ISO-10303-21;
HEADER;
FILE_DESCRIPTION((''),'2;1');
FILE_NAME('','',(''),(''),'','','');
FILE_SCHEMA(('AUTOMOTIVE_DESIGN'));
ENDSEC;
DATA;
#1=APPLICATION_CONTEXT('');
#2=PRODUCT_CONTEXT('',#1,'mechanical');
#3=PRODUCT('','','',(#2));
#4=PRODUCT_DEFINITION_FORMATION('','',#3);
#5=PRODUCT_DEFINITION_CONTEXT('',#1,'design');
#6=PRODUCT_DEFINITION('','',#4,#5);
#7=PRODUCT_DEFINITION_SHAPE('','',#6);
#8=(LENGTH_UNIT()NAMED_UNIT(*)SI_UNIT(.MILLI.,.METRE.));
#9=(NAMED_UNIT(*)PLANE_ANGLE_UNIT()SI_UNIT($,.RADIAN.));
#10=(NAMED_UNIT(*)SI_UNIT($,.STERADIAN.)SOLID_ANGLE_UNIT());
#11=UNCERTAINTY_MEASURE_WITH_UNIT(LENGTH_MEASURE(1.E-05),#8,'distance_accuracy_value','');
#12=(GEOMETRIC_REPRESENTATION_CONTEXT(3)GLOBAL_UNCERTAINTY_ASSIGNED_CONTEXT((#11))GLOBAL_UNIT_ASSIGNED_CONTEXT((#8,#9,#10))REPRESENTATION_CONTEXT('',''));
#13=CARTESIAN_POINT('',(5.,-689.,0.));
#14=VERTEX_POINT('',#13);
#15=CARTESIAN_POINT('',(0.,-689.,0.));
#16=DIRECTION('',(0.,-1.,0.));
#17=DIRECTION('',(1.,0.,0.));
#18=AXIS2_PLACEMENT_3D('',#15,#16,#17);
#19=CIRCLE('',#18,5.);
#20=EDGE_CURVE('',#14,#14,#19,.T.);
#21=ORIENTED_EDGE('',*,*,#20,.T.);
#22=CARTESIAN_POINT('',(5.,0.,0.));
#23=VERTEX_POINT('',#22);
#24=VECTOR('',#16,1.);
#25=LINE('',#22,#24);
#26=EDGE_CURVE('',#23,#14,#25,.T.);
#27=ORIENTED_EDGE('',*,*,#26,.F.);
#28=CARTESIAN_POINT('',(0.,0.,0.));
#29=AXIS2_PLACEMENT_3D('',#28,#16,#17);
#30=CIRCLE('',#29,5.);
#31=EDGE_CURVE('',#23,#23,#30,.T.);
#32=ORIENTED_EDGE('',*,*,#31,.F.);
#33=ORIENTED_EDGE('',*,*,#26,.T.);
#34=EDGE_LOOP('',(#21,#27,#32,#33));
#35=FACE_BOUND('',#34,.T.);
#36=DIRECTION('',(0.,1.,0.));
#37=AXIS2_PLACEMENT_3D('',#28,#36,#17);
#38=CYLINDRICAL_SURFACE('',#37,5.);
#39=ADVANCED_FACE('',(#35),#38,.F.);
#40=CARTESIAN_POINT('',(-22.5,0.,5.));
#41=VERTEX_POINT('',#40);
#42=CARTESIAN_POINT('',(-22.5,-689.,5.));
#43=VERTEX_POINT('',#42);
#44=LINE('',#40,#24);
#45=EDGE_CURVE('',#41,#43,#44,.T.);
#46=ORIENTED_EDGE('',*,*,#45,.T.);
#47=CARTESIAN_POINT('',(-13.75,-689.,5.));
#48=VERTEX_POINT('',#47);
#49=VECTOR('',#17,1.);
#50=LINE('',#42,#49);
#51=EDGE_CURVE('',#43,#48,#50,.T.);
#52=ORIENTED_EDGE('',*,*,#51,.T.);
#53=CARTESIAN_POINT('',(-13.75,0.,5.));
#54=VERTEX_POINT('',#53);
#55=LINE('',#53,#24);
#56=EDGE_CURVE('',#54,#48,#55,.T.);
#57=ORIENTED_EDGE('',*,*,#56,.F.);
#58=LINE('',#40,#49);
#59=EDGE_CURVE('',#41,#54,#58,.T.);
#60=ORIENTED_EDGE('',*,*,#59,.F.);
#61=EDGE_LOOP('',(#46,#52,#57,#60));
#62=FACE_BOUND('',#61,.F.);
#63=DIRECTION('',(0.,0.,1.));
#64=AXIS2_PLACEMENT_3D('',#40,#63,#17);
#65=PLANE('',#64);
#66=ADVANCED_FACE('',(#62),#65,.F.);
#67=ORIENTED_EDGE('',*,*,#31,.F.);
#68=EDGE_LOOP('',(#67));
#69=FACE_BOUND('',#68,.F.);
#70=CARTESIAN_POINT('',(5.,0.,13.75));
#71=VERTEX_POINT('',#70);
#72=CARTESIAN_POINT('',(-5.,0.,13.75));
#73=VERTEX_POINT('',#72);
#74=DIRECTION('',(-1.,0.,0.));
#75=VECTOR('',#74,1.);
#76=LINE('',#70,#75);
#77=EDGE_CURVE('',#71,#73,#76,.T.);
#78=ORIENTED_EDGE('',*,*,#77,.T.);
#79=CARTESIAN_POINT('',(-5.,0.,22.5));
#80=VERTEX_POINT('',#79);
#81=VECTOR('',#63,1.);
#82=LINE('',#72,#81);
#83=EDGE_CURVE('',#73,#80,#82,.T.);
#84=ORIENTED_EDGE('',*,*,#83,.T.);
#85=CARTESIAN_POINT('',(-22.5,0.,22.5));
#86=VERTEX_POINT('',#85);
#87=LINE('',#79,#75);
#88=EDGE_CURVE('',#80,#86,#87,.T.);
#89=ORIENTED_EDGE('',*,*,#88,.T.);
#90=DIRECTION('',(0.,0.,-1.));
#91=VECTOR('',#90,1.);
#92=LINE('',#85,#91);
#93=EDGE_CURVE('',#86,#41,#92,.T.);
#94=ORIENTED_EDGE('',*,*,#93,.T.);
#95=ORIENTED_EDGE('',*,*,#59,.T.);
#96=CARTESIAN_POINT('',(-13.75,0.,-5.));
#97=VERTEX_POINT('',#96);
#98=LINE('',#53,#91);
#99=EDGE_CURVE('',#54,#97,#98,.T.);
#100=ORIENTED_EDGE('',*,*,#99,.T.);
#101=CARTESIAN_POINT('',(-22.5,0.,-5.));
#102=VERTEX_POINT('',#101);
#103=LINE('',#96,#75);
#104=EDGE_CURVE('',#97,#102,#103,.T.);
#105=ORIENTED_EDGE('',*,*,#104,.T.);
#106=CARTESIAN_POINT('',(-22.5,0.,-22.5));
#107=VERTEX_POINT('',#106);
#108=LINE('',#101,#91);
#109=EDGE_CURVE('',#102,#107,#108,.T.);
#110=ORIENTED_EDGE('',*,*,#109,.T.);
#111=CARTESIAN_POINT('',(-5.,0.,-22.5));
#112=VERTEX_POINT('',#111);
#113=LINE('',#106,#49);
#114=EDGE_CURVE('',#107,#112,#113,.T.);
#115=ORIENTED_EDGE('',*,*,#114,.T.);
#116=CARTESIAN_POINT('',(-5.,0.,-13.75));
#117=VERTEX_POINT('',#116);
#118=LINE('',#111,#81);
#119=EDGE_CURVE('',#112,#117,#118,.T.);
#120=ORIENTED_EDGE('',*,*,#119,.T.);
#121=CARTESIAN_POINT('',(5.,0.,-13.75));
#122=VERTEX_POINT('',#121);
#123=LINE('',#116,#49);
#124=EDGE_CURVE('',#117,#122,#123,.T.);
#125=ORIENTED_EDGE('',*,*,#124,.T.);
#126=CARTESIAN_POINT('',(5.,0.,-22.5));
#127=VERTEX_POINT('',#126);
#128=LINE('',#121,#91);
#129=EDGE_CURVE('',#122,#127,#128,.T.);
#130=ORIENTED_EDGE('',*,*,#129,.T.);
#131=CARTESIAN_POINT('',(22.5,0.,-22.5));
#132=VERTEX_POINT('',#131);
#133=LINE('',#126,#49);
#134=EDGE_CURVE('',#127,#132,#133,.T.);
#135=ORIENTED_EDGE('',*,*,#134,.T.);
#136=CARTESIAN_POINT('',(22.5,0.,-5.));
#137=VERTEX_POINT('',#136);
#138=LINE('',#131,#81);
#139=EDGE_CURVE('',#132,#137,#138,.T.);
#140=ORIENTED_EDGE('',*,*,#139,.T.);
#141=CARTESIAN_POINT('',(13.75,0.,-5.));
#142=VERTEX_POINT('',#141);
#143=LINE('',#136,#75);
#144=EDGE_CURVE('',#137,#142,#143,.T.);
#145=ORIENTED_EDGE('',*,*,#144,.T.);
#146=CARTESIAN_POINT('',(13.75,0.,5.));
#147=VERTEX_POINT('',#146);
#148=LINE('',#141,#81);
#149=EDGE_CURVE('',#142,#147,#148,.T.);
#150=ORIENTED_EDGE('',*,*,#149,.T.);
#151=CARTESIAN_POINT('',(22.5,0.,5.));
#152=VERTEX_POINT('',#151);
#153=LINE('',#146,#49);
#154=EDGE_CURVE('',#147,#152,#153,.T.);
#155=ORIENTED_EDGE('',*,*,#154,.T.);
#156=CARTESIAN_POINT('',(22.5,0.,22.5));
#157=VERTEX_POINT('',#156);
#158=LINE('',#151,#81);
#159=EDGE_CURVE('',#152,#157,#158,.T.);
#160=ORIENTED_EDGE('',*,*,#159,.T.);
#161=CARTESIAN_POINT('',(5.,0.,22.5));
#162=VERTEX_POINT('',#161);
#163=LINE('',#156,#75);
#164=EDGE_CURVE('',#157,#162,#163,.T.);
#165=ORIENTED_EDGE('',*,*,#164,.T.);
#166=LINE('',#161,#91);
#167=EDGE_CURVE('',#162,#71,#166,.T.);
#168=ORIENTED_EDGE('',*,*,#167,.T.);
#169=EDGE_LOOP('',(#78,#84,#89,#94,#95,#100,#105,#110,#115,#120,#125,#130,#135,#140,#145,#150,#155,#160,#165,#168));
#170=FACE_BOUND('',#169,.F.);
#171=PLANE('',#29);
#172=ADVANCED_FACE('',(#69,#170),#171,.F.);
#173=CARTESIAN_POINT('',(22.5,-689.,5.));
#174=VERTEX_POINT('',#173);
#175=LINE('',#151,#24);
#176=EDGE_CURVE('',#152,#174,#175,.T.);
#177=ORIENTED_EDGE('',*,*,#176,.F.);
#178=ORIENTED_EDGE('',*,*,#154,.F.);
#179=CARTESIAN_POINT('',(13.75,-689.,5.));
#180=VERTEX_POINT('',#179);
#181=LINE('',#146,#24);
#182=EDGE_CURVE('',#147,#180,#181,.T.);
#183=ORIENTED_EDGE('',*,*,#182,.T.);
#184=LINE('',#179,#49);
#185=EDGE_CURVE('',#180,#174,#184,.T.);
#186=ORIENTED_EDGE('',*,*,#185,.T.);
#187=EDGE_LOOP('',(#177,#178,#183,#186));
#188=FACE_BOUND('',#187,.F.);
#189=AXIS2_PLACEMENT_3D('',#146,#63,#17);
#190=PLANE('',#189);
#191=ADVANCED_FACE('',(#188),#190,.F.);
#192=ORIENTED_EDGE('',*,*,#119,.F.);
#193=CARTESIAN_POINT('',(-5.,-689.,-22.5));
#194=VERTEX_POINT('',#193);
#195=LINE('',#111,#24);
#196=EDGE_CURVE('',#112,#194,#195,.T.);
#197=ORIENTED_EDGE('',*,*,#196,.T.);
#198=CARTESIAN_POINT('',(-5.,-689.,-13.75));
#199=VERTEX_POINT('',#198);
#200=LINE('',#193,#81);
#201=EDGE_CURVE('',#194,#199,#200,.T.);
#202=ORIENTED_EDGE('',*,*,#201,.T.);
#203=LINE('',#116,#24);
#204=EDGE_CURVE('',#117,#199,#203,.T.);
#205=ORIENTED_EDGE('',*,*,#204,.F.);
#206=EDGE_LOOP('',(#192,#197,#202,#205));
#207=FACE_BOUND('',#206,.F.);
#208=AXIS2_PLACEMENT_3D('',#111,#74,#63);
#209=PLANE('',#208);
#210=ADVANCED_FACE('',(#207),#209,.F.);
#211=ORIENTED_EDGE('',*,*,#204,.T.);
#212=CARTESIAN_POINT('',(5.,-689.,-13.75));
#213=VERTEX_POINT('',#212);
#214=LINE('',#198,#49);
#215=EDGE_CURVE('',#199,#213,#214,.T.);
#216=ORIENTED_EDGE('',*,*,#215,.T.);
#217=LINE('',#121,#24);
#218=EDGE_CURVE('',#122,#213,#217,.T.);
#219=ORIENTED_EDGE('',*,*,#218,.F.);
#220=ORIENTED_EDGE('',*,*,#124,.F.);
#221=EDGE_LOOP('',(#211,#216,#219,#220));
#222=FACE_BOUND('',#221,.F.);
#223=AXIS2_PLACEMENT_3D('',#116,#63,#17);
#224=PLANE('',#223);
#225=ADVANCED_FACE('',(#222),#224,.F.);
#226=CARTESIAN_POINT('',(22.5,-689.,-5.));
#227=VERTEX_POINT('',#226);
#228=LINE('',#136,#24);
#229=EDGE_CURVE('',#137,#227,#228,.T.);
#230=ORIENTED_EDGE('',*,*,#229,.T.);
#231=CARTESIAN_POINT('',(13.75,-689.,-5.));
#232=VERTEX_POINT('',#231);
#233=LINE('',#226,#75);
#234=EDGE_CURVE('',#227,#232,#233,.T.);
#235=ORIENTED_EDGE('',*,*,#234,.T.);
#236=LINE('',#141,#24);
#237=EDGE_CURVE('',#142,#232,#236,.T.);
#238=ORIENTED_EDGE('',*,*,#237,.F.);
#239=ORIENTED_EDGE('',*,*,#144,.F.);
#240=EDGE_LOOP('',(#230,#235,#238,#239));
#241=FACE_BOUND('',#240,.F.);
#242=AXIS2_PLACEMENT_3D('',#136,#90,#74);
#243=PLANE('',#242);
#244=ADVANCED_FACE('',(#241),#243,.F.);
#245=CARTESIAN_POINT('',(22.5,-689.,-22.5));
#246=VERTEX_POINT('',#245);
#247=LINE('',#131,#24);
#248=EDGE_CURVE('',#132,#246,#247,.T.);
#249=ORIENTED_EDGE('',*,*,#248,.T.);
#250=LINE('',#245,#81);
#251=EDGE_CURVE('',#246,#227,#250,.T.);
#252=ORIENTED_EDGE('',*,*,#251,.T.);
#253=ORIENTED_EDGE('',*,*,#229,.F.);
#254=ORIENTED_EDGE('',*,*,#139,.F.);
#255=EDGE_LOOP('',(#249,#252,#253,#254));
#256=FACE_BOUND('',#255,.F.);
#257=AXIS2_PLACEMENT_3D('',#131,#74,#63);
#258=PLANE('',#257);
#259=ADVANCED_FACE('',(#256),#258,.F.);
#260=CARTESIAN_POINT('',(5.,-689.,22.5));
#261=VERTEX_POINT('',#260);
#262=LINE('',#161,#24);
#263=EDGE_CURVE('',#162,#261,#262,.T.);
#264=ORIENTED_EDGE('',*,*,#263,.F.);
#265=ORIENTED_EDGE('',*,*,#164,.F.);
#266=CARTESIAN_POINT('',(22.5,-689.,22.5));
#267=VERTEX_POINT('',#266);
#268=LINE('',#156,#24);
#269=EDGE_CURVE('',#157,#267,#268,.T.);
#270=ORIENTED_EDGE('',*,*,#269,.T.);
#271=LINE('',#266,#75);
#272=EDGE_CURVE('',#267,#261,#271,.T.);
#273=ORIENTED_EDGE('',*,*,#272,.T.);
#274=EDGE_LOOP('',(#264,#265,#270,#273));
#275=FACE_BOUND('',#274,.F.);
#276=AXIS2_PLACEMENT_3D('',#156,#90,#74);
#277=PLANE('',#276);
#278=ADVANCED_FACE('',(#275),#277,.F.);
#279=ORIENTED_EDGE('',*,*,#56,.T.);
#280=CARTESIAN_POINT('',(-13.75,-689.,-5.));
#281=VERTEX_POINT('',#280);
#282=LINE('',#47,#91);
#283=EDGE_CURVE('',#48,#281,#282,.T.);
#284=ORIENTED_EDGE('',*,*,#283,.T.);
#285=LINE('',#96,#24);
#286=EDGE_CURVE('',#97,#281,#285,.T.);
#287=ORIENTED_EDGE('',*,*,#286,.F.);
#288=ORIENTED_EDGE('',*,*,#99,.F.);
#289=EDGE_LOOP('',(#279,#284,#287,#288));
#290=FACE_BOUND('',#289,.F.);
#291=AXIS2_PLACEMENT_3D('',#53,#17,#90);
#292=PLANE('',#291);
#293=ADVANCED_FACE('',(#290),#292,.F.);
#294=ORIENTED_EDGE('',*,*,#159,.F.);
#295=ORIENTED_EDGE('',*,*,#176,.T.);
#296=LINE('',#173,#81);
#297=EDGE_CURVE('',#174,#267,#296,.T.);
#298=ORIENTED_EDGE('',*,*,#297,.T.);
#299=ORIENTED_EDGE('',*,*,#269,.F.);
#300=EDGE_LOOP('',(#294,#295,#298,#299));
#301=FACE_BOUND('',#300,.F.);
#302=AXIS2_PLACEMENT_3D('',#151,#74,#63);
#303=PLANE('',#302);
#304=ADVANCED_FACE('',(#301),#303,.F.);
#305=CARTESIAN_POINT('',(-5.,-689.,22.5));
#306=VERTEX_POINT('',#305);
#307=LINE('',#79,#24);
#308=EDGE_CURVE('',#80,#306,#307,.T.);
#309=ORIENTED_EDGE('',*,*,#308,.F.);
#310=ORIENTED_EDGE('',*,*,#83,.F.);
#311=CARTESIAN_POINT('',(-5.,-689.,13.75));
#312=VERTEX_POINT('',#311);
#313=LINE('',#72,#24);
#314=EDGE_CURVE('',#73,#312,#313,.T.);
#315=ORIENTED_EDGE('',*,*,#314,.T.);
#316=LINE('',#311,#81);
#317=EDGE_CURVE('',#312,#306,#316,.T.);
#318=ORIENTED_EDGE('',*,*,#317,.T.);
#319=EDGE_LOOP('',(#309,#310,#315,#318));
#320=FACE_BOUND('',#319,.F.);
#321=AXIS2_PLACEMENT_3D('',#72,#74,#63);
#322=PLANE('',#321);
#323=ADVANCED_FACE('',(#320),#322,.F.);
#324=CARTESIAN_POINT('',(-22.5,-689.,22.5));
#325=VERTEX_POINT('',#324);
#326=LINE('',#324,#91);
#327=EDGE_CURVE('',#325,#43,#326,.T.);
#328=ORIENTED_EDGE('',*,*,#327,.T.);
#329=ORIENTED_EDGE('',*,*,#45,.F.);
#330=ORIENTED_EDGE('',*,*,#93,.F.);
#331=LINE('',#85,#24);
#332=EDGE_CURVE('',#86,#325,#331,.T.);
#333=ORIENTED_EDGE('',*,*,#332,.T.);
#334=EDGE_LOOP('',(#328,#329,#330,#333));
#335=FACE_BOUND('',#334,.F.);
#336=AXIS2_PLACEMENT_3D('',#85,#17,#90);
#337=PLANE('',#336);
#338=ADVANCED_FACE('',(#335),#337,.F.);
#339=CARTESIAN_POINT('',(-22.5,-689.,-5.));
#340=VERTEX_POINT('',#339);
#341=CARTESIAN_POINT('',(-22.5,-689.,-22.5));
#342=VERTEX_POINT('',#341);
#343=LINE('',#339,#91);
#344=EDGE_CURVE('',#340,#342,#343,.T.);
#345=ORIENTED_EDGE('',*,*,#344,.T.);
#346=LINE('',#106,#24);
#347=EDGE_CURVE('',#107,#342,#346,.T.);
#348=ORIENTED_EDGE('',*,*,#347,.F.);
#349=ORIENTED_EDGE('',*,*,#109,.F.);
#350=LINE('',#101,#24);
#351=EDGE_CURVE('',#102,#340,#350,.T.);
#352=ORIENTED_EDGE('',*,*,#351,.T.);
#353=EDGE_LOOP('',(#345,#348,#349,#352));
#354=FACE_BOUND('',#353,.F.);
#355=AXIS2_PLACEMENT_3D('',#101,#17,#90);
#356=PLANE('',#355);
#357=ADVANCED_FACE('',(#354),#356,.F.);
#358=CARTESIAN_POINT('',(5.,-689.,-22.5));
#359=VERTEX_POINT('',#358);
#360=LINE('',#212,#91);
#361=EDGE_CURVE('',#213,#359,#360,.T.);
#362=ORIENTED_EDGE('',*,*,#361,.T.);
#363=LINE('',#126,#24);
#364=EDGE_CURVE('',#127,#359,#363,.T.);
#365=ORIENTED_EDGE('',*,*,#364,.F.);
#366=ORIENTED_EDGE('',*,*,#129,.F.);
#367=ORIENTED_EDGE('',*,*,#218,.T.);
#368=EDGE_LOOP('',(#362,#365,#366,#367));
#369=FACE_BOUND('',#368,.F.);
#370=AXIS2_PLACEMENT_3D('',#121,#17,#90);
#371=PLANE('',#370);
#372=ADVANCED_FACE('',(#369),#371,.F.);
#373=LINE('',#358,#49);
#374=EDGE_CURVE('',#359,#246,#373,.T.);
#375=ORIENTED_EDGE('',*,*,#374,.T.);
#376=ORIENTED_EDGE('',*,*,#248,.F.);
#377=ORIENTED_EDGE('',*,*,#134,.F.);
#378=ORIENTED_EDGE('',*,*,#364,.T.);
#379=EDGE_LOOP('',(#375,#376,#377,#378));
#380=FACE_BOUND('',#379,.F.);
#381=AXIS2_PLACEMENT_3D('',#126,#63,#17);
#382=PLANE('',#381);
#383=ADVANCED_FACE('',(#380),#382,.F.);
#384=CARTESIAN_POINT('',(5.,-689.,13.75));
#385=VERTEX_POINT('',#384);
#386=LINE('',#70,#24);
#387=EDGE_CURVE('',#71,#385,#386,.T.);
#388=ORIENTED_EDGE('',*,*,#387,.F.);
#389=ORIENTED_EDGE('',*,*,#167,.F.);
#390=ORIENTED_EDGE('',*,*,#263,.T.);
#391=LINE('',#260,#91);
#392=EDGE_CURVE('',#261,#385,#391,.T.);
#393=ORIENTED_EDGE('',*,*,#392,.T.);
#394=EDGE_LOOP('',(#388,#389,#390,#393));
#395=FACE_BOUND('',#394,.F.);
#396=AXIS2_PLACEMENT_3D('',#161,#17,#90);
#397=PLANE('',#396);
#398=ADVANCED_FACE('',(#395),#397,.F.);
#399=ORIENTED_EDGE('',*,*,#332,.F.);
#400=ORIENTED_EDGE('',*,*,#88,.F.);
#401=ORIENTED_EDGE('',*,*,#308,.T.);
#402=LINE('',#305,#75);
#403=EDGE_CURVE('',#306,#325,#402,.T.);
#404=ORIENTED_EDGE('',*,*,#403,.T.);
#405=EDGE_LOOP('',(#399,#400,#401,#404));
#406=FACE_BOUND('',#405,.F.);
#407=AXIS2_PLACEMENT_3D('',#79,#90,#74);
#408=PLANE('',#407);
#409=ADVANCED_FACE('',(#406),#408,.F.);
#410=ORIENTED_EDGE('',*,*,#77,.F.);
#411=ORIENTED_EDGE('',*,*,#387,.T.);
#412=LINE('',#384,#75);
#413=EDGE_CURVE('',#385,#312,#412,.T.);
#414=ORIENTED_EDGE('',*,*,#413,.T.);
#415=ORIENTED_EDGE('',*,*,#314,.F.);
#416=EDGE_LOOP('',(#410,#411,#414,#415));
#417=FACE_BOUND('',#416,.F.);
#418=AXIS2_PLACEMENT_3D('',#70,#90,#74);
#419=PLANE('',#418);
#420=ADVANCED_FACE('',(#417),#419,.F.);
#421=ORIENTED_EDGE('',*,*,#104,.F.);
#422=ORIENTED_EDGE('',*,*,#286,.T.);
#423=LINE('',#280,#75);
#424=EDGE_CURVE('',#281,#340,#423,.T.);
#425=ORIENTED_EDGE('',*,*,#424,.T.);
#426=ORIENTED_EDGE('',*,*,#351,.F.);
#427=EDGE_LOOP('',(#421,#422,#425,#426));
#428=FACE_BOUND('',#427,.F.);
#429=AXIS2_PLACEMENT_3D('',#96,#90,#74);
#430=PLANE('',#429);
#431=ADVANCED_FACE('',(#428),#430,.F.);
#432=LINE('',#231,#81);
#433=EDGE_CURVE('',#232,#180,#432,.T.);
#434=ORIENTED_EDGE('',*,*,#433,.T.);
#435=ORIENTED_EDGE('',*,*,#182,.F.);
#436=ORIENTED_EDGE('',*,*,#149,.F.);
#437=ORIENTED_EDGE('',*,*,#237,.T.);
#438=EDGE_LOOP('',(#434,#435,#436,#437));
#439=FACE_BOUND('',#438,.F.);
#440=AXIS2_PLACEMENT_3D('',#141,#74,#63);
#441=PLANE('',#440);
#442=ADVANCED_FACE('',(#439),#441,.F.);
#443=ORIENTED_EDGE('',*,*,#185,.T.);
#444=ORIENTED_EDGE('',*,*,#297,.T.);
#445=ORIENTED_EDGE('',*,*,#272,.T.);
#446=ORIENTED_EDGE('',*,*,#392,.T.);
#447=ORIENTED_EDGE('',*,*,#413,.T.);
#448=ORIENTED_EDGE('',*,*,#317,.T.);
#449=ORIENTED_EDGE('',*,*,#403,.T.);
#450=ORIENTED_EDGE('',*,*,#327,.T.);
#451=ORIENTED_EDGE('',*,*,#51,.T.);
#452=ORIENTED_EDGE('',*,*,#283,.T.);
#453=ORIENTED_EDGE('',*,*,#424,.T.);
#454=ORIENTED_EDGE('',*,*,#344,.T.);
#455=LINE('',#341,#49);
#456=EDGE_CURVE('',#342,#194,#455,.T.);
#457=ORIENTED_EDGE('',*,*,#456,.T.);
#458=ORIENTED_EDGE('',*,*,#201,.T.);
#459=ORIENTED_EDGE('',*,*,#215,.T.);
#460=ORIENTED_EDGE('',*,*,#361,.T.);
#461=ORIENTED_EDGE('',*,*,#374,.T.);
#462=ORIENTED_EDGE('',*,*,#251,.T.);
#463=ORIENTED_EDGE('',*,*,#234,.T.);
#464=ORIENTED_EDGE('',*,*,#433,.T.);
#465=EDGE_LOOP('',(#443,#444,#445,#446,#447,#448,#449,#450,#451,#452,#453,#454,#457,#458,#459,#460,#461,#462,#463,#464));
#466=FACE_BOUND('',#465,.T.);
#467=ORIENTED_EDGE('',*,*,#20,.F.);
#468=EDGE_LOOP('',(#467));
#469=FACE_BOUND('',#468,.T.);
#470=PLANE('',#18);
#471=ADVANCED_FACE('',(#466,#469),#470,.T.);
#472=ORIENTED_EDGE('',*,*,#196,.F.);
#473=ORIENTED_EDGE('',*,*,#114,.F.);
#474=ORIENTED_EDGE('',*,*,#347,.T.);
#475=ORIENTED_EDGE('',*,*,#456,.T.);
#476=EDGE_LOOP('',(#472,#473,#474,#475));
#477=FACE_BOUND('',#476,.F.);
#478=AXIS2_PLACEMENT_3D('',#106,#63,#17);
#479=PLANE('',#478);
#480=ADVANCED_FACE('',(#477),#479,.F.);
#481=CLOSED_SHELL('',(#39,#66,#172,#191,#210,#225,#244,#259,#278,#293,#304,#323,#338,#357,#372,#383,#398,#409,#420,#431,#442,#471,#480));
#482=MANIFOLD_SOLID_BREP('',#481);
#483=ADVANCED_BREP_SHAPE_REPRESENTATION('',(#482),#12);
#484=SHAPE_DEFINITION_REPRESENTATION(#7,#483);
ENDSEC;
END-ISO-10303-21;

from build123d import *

# Parameters (mm, degrees)
F0_R     = 5
F1_DEPTH = 689


with BuildPart() as f1:
    # F0 (on Front) → F1 (new body)
    with BuildSketch(Plane.XZ):
        Polygon((5, -22.5), (22.5, -22.5), (22.5, -5), (13.75, -5), (13.75, 5), (22.5, 5), (22.5, 22.5), (5, 22.5), (5, 13.75), (-5, 13.75), (-5, 22.5), (-22.5, 22.5), (-22.5, 5), (-13.75, 5), (-13.75, -5), (-22.5, -5), (-22.5, -22.5), (-5, -22.5), (-5, -13.75), (5, -13.75), align=None)
        Circle(F0_R, mode=Mode.SUBTRACT)
    extrude(amount=F1_DEPTH)


solid = f1.part
